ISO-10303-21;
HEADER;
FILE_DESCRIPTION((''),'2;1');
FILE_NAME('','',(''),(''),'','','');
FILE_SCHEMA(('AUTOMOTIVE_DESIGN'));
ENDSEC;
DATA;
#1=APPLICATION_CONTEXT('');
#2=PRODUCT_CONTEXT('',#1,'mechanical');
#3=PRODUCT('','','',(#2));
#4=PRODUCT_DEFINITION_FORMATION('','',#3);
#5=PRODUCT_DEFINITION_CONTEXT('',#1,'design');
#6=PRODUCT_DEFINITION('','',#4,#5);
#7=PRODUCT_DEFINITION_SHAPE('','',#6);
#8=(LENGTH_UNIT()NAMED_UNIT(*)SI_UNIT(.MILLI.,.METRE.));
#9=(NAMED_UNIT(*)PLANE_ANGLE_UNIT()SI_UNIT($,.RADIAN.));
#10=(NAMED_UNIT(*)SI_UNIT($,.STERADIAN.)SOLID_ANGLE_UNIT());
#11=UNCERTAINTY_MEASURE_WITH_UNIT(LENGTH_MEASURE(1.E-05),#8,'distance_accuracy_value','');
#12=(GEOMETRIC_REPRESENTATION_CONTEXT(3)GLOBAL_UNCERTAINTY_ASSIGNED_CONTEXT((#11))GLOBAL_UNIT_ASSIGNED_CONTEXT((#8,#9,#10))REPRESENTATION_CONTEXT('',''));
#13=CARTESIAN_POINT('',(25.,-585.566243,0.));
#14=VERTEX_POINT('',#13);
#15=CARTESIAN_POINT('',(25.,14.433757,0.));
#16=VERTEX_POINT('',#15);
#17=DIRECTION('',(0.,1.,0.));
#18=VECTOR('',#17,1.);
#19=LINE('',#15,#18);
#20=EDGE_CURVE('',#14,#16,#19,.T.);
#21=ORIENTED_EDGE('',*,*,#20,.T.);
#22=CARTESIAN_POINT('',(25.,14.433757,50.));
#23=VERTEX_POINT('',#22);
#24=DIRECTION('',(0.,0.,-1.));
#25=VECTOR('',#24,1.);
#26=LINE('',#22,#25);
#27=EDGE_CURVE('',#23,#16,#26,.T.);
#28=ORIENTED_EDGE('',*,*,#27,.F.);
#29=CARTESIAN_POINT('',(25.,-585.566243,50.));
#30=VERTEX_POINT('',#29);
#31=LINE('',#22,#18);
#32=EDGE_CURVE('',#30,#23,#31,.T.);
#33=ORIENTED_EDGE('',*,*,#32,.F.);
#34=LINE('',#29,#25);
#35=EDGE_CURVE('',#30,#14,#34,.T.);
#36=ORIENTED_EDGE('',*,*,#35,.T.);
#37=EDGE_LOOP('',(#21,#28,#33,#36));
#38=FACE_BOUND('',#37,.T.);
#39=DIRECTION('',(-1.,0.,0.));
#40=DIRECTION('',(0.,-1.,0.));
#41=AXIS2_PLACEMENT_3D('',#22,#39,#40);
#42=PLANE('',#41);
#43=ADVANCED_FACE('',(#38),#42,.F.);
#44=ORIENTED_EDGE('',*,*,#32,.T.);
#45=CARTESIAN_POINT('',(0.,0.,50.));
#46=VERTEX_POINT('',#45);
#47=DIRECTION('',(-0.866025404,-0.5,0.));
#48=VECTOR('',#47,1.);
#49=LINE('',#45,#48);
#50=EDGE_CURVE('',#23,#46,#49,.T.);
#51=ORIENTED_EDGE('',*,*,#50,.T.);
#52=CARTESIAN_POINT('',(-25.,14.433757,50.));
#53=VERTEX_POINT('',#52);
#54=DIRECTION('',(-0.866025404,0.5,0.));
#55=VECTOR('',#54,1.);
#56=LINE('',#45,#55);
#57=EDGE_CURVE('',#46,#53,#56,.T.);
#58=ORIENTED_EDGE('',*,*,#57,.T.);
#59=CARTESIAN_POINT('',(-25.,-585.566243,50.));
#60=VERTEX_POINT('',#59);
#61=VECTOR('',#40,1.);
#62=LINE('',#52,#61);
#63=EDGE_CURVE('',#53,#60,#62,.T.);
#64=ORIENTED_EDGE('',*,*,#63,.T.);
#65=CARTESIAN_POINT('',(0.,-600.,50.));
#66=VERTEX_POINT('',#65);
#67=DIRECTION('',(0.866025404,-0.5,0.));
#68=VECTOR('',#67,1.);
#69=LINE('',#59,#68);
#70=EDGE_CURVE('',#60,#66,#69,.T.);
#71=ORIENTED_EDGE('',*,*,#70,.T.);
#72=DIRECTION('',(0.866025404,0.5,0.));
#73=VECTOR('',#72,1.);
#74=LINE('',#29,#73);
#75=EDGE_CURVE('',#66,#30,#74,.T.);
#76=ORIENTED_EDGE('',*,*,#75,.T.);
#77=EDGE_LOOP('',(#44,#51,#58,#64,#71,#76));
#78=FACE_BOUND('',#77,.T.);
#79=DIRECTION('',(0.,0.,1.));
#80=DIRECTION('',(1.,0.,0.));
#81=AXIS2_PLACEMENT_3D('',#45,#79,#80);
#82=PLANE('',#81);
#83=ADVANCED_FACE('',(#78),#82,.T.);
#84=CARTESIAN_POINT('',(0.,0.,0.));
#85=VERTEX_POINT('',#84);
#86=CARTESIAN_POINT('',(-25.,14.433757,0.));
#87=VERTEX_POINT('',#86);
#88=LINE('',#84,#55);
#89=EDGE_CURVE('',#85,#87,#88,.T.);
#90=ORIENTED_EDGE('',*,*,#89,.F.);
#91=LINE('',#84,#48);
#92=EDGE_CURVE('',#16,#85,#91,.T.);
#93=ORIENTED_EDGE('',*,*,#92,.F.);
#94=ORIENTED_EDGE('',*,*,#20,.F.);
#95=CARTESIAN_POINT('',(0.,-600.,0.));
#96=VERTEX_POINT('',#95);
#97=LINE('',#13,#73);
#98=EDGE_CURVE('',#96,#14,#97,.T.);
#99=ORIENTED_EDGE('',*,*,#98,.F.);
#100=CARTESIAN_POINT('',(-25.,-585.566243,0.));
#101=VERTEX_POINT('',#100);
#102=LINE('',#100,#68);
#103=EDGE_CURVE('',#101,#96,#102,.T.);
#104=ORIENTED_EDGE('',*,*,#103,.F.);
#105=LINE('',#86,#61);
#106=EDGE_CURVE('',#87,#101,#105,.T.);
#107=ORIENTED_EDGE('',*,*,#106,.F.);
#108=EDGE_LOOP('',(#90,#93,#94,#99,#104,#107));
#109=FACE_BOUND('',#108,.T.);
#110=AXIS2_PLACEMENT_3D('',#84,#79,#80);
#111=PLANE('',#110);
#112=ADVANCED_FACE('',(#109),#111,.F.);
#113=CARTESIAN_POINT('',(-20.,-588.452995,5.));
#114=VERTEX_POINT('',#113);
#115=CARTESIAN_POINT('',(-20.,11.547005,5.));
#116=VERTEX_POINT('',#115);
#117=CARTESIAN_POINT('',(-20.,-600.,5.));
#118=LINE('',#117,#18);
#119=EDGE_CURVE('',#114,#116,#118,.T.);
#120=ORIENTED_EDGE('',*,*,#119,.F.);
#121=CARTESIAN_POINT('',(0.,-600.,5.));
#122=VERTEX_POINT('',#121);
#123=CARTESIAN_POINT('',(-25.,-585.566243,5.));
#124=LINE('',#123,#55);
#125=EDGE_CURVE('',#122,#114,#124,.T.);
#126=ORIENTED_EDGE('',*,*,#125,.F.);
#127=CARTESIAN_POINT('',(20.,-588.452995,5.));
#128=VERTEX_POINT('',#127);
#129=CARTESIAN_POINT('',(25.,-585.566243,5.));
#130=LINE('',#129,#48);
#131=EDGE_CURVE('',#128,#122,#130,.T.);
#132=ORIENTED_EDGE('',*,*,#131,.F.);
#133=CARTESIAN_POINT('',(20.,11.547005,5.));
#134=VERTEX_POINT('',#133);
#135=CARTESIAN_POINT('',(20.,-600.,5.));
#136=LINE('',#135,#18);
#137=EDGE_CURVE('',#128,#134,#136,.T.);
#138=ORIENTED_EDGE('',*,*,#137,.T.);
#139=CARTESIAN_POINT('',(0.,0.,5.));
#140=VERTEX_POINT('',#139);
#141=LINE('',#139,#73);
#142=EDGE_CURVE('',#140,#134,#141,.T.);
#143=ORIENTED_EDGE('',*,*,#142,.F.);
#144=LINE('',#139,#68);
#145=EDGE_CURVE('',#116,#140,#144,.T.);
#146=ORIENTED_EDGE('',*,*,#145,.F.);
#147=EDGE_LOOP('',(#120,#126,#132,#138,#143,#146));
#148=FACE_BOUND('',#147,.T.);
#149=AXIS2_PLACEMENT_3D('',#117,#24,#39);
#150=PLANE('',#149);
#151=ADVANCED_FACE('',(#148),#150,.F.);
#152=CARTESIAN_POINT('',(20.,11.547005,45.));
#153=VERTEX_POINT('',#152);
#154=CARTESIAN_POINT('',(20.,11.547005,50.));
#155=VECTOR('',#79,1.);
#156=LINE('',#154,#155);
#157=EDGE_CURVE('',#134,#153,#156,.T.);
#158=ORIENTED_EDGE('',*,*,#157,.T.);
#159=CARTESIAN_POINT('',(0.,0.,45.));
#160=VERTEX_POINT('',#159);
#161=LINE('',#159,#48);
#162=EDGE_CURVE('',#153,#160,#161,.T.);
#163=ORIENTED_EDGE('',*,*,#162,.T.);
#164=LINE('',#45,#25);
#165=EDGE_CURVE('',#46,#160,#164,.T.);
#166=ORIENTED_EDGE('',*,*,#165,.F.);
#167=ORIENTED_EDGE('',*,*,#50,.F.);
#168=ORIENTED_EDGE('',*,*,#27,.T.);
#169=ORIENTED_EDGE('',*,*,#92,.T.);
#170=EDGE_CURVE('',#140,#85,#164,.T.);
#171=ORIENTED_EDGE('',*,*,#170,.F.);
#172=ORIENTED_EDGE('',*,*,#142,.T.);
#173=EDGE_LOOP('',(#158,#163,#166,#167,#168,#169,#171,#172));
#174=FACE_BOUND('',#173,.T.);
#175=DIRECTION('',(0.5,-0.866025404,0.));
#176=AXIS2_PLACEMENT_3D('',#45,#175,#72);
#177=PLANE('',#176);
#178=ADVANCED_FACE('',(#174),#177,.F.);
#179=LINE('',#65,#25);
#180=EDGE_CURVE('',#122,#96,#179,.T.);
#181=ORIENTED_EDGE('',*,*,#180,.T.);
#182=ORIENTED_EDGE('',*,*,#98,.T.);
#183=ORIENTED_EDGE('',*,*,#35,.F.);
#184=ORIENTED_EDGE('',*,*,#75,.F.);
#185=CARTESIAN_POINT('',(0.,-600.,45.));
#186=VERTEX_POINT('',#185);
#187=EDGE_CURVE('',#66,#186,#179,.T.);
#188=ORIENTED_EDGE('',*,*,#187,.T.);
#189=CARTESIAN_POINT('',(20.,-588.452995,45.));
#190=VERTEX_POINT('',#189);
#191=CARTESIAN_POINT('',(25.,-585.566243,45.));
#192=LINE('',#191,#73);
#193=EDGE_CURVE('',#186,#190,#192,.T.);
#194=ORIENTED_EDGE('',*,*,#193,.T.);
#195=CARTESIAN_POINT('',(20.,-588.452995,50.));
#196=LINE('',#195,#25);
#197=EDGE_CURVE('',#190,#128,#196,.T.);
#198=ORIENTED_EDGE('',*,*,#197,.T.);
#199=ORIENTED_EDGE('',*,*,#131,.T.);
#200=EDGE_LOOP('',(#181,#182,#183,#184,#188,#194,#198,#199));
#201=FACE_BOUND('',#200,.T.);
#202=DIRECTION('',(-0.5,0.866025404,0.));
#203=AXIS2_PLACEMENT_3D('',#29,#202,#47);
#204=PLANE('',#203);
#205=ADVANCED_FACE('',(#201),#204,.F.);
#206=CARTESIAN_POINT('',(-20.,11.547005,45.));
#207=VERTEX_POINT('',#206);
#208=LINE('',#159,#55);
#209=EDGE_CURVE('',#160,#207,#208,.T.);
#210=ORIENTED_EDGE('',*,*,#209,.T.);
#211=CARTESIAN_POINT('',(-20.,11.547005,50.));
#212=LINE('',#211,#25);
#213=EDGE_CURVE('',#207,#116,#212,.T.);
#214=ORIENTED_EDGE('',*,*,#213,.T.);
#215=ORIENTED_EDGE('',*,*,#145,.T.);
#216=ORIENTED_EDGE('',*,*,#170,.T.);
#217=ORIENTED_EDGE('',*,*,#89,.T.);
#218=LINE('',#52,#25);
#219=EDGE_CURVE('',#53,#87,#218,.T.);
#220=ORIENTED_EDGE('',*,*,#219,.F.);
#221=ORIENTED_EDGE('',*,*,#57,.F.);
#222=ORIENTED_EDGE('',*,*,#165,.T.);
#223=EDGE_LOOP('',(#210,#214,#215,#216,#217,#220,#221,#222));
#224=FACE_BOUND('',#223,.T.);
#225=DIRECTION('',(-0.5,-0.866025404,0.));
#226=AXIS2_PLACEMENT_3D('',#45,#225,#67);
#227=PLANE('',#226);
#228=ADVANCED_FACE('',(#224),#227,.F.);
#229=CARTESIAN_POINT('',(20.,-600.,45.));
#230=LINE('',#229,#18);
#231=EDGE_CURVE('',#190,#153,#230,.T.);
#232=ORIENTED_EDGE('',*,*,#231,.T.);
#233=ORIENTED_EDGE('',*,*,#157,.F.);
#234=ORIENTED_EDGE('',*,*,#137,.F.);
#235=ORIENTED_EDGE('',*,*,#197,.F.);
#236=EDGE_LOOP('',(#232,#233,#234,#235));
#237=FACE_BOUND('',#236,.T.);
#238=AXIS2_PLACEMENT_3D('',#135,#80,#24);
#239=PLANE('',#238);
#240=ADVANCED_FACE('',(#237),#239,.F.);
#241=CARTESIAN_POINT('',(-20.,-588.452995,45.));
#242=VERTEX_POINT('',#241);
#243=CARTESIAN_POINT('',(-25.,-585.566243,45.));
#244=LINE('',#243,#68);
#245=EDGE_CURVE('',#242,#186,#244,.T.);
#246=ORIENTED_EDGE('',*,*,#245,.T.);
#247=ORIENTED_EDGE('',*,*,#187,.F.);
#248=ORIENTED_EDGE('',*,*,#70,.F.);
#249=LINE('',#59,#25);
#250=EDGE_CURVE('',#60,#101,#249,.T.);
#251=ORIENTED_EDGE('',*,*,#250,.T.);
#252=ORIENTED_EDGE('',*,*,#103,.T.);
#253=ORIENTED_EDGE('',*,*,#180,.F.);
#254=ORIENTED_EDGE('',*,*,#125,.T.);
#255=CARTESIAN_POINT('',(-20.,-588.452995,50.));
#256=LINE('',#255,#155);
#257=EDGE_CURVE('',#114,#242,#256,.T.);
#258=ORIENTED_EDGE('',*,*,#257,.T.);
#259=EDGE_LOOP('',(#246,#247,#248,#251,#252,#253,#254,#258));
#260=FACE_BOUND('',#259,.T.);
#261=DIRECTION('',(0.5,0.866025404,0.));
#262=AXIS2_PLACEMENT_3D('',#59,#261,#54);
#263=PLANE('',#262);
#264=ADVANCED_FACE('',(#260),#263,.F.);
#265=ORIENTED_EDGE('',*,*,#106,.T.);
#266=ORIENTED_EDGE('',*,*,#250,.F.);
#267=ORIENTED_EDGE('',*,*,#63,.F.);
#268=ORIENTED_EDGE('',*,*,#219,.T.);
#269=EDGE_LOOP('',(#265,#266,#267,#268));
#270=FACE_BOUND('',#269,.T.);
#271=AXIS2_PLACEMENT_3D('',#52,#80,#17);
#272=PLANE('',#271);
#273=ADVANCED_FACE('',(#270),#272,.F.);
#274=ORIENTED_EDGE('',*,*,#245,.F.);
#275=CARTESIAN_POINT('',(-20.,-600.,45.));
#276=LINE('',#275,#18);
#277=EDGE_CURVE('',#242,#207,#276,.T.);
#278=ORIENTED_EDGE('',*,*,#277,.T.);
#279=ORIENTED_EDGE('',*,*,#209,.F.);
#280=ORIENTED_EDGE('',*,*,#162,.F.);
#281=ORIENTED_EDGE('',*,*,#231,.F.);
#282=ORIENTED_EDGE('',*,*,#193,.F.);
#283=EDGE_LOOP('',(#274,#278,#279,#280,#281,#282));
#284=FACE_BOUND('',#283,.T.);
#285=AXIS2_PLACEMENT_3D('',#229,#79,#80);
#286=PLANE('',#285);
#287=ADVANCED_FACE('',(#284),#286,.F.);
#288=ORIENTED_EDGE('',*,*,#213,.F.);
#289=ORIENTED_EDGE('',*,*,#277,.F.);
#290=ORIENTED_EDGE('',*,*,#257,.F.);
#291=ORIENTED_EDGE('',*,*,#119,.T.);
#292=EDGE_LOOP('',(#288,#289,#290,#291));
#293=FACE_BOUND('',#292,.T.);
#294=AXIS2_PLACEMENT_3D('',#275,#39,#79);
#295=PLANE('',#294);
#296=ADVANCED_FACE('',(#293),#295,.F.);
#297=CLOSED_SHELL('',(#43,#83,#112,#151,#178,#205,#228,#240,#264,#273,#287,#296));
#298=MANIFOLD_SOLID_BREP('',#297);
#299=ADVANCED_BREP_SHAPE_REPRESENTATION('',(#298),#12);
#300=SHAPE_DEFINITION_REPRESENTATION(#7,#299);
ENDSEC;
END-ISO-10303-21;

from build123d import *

# Parameters (mm, degrees)
BOSS_EXTRUDE1_DEPTH     = 50
CUT_EXTRUDE2_DEPTH      = 603.59853966
CUT_EXTRUDE2_DEPTH_BACK = 603.59853966
SKETCH3_W               = 40
SKETCH3_H               = 40


with BuildPart() as part:
    # Sketch1 → Boss-Extrude1 (new body)
    with BuildSketch(Plane.XY):
        Polygon((0, 0), (25, 14.43375673), (25, -585.56624327), (0, -600), (-25, -585.56624327), (-25, 14.43375673), align=None)
    extrude(amount=BOSS_EXTRUDE1_DEPTH)

    # Sketch3 → Cut-Extrude2 (cut, two sides: drawn at the far end of the back side and taken through both)
    with BuildSketch(Plane(origin=(0, 0, 0), x_dir=(1, 0, 0), z_dir=(0, 1, 0)).offset(-CUT_EXTRUDE2_DEPTH_BACK)):
        with Locations((0, -25)):
            Rectangle(SKETCH3_W, SKETCH3_H)
    extrude(amount=CUT_EXTRUDE2_DEPTH + CUT_EXTRUDE2_DEPTH_BACK, mode=Mode.SUBTRACT)


solid = part.part
